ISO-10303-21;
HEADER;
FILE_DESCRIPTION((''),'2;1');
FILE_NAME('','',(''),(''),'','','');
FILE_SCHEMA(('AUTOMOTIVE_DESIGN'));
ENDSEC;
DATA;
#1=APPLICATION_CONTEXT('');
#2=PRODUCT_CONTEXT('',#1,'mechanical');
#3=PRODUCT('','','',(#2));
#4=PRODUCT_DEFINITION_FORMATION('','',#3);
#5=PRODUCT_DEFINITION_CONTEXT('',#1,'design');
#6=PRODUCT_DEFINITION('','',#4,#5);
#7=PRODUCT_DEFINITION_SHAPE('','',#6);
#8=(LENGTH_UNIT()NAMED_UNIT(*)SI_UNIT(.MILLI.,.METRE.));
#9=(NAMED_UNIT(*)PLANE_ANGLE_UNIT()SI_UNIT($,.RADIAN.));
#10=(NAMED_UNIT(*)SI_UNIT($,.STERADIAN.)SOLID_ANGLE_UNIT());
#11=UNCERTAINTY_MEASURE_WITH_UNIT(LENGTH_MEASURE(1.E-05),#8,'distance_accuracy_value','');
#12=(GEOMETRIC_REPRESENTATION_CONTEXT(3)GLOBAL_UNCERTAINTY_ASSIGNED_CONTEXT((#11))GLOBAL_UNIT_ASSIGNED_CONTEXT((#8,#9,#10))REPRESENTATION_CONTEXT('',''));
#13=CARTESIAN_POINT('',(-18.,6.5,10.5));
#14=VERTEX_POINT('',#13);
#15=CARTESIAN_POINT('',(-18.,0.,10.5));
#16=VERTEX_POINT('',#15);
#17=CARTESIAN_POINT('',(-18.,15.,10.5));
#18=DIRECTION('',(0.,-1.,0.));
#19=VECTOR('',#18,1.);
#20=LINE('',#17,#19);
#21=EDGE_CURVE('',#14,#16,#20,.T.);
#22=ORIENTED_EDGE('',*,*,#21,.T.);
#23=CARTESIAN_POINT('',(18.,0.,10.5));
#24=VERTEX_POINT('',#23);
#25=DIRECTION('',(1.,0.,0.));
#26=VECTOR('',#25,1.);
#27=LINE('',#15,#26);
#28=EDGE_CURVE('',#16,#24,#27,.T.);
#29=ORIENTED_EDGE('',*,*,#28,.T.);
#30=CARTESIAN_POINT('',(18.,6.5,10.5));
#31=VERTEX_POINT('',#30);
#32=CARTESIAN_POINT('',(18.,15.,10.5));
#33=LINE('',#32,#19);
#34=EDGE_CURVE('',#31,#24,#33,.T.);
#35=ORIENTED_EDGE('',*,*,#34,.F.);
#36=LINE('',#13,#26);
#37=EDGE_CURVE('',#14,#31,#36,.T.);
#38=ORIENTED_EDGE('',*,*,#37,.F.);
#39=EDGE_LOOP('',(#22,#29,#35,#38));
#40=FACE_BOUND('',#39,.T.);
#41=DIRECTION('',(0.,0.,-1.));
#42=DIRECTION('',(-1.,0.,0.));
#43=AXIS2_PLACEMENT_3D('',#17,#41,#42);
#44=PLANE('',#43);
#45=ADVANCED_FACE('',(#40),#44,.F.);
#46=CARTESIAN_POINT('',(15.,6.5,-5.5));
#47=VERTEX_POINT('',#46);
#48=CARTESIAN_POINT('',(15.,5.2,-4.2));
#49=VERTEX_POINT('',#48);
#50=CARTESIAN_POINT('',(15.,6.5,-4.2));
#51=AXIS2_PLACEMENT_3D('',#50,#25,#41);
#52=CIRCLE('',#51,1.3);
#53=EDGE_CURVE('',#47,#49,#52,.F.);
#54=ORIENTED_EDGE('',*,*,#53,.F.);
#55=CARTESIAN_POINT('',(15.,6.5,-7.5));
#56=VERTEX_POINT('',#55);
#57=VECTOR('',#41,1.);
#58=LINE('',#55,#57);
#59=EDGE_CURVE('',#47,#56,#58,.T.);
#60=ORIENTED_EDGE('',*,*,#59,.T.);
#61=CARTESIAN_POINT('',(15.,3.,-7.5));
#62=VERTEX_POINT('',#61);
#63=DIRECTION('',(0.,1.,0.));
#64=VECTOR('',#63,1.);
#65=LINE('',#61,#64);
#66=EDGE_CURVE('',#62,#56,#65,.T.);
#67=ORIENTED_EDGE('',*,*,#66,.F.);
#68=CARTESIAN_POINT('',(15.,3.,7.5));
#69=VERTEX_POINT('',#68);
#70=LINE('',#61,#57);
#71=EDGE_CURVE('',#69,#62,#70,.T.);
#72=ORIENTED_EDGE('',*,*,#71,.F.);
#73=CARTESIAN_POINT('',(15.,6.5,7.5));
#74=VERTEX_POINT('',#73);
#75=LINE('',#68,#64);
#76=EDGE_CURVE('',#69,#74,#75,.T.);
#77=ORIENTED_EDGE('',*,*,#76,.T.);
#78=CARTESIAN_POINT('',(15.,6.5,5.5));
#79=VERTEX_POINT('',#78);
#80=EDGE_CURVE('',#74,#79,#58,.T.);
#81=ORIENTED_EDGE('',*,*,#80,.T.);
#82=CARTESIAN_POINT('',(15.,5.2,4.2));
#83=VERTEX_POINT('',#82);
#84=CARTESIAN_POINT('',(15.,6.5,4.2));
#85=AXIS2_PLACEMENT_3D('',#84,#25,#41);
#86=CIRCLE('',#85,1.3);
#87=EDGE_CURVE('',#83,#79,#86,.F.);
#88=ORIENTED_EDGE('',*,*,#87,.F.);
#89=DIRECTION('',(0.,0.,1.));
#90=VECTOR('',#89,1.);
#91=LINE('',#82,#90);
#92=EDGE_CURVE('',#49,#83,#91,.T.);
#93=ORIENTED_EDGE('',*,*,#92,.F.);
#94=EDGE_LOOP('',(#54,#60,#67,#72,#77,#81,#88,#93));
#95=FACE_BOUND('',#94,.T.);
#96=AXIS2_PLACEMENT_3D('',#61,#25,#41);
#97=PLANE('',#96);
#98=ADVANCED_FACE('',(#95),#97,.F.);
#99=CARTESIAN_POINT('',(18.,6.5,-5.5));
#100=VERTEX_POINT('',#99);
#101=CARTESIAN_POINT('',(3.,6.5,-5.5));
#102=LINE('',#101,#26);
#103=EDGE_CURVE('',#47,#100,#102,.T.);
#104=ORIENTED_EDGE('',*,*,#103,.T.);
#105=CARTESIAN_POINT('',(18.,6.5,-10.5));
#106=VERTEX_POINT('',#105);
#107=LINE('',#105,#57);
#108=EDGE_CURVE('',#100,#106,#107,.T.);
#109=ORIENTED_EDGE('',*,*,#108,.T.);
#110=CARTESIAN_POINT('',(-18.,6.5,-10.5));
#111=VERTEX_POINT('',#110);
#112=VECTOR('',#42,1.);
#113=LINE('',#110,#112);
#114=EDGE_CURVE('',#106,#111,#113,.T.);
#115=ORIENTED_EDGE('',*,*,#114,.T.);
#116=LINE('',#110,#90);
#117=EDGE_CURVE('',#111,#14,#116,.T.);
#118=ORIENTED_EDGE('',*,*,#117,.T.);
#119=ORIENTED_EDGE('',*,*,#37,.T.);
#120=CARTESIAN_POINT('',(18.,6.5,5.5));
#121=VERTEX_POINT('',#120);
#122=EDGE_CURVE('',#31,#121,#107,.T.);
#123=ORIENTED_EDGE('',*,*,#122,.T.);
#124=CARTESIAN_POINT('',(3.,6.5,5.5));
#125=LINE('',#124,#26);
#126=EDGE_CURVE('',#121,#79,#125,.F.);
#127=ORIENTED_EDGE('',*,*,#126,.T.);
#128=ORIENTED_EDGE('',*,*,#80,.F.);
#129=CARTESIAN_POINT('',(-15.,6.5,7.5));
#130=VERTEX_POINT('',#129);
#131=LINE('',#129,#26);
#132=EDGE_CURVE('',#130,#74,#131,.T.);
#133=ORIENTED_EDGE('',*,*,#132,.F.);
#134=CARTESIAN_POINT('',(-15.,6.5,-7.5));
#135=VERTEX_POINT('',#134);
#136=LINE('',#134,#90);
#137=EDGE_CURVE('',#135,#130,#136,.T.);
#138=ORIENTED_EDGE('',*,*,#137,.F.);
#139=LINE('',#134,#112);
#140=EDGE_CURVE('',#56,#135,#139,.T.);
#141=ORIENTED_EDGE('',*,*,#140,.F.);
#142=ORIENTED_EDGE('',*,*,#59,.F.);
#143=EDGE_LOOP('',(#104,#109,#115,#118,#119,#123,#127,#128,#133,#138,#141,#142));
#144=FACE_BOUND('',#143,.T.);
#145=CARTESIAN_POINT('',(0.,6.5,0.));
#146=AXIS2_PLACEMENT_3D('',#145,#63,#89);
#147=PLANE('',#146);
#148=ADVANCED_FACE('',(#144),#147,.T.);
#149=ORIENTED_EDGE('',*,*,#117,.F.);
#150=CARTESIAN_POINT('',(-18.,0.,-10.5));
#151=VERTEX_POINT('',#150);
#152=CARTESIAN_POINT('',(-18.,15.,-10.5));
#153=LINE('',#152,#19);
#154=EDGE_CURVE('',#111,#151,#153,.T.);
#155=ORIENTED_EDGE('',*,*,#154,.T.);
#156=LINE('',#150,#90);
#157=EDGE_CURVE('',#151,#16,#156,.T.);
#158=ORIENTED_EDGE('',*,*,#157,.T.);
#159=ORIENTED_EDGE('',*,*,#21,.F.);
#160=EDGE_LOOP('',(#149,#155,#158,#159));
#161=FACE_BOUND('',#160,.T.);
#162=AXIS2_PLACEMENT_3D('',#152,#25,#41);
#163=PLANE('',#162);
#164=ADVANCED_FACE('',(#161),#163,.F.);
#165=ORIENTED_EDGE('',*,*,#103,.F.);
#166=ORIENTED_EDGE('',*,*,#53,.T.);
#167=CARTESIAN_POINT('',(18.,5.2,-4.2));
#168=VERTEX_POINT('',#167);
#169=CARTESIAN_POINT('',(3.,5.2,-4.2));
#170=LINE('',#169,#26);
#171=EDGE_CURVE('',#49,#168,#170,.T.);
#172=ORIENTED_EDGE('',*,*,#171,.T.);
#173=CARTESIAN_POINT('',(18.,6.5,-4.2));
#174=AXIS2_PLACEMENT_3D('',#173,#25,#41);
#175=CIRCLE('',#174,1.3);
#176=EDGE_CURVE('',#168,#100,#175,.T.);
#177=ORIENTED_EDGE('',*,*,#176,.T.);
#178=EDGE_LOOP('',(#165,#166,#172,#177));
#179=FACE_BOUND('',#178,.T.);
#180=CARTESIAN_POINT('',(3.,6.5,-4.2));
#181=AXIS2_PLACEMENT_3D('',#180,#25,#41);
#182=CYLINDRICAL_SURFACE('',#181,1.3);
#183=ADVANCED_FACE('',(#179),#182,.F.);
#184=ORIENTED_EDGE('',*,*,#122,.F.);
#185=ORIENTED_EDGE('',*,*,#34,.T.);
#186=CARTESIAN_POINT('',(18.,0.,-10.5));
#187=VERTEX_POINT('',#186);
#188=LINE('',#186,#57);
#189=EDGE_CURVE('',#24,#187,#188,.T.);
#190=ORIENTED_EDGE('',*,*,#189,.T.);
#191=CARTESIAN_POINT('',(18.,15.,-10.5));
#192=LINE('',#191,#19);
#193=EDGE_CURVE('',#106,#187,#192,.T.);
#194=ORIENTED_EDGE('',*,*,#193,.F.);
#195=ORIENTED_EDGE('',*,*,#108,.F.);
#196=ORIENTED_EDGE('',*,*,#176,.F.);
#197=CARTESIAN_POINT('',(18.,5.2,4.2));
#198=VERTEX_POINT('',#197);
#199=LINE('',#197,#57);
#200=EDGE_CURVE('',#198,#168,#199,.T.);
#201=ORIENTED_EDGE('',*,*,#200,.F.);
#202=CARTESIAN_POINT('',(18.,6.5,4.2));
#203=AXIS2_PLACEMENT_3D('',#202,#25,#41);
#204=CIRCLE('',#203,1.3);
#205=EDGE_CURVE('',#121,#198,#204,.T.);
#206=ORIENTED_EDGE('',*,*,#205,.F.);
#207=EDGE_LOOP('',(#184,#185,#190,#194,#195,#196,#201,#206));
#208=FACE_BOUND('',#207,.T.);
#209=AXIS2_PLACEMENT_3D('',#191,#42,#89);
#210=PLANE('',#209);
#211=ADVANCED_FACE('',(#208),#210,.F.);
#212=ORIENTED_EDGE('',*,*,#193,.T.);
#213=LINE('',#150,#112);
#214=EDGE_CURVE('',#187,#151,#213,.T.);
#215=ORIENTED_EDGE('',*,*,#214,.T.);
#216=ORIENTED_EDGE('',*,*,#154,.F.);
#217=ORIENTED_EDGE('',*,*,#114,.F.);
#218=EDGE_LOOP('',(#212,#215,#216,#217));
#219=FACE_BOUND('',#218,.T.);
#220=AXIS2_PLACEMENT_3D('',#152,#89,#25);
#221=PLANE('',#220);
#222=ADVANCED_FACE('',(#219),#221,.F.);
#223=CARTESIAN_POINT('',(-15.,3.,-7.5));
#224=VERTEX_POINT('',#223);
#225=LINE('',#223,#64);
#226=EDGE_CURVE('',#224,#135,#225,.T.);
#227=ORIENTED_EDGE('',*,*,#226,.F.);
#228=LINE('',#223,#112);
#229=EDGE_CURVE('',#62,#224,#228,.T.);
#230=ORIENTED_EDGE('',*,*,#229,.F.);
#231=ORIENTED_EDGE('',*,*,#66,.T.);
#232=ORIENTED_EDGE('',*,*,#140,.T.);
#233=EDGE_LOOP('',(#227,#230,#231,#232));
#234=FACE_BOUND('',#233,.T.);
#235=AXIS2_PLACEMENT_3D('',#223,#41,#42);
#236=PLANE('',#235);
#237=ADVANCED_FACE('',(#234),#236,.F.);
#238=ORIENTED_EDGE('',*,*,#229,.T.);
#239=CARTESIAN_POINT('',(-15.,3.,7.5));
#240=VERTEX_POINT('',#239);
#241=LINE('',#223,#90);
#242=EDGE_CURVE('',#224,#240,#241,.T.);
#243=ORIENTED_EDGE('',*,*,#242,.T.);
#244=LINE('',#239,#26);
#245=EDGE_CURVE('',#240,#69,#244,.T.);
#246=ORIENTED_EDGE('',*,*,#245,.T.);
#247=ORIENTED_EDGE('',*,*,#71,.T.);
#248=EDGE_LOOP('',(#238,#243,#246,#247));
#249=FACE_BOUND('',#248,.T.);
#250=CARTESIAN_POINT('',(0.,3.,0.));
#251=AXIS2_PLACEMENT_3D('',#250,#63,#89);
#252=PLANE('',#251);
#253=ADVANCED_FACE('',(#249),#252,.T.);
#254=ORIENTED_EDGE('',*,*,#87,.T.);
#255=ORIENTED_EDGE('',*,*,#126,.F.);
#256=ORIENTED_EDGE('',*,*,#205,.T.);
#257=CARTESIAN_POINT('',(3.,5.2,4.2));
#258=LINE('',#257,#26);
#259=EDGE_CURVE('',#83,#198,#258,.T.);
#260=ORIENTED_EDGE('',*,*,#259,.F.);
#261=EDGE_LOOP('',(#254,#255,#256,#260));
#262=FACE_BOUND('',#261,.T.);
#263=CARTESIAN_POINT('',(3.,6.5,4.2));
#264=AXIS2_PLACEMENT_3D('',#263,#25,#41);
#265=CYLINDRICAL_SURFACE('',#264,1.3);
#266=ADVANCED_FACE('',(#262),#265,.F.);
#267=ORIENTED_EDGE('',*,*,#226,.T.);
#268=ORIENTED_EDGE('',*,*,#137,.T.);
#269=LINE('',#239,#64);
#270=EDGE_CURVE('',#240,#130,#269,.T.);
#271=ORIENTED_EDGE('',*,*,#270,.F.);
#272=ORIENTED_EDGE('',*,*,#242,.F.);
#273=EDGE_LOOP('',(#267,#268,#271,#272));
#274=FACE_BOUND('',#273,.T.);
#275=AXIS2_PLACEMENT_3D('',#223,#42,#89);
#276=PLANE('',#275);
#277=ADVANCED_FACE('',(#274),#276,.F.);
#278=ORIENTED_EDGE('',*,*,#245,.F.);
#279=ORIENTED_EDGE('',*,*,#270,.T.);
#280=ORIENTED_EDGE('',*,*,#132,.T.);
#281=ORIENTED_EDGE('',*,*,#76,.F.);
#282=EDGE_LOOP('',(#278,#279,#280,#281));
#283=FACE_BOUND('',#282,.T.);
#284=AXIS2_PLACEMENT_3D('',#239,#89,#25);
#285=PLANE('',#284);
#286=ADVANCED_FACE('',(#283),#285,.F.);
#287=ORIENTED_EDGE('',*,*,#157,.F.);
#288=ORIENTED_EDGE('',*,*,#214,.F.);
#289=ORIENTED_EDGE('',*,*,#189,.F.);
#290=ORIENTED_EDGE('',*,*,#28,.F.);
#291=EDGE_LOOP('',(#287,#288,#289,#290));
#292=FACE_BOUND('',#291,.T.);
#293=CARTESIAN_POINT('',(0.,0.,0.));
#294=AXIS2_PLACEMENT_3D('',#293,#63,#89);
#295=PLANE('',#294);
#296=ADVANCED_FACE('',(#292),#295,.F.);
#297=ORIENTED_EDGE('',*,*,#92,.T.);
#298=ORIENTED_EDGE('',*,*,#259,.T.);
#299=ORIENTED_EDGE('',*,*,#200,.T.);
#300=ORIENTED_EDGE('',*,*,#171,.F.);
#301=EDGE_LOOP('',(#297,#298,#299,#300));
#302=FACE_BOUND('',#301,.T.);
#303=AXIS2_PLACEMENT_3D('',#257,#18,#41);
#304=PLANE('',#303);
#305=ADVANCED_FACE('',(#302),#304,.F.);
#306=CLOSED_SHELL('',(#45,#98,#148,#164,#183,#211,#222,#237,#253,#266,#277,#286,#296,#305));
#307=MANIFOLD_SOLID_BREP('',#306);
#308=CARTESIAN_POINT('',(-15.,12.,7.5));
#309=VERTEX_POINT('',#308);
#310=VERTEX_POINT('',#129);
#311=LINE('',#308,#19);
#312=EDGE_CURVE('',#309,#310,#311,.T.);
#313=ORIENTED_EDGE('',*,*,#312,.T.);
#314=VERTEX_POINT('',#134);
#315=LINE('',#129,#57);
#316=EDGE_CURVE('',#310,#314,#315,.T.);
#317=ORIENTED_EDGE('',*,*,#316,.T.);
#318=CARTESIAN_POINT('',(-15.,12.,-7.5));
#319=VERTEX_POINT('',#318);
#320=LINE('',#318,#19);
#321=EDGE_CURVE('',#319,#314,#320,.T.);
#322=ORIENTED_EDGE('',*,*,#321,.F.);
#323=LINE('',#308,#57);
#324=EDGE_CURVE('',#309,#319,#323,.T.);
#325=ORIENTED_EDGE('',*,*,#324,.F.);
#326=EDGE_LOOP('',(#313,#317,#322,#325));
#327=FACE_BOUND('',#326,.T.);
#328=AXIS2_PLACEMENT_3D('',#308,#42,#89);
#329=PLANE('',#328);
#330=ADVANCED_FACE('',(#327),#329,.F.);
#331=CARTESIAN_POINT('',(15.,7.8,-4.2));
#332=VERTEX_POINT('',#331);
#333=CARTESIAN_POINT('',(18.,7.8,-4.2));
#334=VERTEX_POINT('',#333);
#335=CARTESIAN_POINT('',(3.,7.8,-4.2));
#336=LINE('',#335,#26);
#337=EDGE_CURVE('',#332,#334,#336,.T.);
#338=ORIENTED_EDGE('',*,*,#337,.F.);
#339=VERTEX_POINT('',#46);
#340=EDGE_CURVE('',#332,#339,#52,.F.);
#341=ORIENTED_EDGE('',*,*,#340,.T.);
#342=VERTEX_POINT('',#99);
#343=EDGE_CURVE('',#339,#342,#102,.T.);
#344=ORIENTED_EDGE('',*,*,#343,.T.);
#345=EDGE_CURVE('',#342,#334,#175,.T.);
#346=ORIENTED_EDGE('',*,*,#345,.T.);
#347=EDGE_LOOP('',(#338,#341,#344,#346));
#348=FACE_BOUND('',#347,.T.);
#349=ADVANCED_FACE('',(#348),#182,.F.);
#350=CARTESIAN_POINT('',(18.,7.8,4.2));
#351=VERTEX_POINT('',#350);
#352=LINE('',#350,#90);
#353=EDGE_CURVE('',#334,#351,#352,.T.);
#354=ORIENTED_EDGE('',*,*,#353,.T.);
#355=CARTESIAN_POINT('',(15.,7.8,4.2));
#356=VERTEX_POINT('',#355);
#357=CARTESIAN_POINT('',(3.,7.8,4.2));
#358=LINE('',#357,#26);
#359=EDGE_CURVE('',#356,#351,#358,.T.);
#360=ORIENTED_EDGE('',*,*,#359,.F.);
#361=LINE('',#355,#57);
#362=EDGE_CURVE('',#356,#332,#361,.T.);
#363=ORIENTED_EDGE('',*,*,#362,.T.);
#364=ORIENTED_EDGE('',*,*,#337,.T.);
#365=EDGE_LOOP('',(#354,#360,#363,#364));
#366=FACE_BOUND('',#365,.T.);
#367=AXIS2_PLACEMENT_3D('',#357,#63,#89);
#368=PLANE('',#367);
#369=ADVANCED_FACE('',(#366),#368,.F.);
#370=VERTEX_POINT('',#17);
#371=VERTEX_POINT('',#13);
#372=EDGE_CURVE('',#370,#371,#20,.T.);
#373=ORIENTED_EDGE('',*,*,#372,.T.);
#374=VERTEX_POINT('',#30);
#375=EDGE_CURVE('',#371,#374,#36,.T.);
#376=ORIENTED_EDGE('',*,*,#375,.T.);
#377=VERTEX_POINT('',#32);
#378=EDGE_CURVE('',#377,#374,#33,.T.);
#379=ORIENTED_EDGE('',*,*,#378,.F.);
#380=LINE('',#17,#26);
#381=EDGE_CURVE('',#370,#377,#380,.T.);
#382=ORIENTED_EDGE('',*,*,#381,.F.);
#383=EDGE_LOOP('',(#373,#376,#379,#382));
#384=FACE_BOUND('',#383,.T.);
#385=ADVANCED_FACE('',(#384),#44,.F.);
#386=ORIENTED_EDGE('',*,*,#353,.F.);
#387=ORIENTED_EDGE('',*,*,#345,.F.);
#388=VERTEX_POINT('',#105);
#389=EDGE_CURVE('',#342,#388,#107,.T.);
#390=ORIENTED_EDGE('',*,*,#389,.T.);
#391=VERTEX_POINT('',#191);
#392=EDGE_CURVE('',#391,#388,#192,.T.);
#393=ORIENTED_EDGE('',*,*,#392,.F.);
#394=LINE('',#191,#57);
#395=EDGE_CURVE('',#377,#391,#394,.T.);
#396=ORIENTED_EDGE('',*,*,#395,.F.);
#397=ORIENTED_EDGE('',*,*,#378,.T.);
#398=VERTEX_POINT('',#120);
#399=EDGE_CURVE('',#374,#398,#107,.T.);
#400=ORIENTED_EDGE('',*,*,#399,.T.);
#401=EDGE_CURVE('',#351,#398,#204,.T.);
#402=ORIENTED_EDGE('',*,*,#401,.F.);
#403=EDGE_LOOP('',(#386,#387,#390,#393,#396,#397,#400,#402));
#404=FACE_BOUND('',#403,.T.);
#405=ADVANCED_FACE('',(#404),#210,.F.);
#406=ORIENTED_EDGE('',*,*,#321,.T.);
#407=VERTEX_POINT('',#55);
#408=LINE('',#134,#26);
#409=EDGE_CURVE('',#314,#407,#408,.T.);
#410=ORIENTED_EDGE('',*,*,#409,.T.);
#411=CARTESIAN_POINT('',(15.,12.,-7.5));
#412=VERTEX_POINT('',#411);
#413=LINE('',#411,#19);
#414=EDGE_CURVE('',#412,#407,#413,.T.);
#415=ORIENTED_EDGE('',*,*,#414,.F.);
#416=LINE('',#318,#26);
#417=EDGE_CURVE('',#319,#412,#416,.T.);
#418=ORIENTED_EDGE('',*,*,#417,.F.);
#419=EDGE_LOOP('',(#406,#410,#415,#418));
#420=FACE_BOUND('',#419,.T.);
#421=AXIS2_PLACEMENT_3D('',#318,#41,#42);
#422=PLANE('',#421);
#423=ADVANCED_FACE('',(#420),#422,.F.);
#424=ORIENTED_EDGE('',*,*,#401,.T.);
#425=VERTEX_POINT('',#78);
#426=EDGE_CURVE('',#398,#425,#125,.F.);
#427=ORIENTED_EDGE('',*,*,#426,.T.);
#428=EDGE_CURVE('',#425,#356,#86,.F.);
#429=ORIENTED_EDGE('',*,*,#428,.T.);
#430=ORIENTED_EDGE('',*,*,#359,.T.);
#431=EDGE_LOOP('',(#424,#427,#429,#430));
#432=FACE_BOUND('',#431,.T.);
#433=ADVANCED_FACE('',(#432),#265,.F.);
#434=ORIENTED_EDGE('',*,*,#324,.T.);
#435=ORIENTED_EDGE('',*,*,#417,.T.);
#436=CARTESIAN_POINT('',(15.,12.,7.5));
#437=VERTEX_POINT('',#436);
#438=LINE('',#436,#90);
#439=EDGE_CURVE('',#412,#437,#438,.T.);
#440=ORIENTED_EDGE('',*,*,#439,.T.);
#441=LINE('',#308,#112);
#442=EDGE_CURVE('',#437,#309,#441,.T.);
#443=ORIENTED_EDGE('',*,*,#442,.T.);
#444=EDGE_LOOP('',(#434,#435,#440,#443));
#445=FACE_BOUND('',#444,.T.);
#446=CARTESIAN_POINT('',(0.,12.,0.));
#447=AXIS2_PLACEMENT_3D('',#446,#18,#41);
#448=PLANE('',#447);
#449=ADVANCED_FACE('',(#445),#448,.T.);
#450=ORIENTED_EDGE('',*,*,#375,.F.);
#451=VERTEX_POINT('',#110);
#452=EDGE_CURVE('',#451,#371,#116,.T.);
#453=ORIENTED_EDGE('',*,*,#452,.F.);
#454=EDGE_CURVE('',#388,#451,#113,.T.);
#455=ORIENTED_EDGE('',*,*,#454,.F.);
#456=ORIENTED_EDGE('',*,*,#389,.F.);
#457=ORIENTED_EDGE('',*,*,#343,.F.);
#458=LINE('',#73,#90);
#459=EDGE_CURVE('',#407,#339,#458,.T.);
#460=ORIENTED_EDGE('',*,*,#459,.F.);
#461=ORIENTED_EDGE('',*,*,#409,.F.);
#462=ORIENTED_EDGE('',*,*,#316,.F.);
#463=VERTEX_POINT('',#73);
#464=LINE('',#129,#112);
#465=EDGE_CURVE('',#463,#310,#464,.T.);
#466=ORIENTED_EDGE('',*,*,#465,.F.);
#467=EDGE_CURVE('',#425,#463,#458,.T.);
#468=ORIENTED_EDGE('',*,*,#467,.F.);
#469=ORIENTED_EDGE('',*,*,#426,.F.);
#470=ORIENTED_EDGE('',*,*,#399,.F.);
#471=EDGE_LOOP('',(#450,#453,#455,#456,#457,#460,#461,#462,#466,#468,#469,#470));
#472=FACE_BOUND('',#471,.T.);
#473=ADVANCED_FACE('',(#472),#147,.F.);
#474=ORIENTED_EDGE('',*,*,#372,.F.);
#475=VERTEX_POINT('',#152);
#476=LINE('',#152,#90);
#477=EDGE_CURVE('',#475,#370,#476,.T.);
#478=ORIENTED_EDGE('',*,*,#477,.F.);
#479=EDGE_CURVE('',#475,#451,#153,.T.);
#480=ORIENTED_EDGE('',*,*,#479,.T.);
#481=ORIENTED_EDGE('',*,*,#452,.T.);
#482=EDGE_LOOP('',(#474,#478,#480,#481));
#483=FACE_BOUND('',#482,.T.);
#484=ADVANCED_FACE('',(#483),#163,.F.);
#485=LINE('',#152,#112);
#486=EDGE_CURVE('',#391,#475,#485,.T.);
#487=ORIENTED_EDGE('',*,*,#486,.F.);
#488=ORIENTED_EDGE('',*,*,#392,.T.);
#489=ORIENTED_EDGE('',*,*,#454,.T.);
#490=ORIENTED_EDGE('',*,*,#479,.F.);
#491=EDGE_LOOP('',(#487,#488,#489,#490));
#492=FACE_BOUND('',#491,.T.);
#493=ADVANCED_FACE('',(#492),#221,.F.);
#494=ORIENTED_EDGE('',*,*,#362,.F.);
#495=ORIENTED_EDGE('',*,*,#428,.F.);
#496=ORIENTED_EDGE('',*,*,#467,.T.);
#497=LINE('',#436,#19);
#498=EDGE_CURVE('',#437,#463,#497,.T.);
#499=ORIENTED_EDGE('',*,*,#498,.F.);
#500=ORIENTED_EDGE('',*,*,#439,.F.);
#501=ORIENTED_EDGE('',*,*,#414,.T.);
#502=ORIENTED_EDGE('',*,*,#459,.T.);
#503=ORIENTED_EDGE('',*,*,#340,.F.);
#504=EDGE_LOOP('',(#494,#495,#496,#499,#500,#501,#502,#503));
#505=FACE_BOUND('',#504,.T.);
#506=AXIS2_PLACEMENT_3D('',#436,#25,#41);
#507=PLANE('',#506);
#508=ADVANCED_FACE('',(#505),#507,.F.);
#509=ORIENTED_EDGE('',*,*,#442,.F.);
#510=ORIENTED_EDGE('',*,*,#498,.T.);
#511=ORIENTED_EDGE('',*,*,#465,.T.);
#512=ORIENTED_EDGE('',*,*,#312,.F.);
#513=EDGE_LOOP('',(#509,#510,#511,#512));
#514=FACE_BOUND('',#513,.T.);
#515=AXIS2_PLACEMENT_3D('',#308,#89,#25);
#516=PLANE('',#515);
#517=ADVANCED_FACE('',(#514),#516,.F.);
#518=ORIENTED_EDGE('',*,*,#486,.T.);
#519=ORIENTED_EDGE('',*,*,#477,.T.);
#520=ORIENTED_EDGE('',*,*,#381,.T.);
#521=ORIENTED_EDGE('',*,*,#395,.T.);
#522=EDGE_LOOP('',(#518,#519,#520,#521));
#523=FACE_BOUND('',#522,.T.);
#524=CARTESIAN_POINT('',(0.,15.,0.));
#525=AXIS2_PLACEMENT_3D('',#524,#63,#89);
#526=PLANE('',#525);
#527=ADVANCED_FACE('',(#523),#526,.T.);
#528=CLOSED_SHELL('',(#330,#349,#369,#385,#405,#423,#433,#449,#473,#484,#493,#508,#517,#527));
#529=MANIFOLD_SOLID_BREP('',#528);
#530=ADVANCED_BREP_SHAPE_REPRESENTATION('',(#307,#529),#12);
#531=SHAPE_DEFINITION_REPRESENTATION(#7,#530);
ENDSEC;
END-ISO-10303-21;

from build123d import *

# Parameters (mm, degrees)
SKETCH1_W           = 36
SKETCH1_H           = 21
BOSS_EXTRUDE2_DEPTH = 15
CUT_EXTRUDE1_DEPTH  = 15
SKETCH5_W           = 30
SKETCH5_H           = 15
CUT_EXTRUDE2_DEPTH  = 3.5
SKETCH7_W           = 30
SKETCH7_H           = 15
CUT_EXTRUDE3_DEPTH  = 5.5


with BuildPart() as part:
    # Sketch1 → Boss-Extrude2 (new body)
    with BuildSketch(Plane(origin=(0, 0, 0), x_dir=(1, 0, 0), z_dir=(0, 1, 0))):
        Rectangle(SKETCH1_W, SKETCH1_H)
    extrude(amount=BOSS_EXTRUDE2_DEPTH)

    # Sketch2 → Cut-Extrude1 (cut)
    with BuildSketch(Plane(origin=(18, 0, 0), x_dir=(0, 0, -1), z_dir=(1, 0, 0))):
        with BuildLine():
            Line((-4.2, 7.8), (4.2, 7.8))
            ThreePointArc((4.2, 7.8), (5.5, 6.5), (4.2, 5.2))
            Line((4.2, 5.2), (-4.2, 5.2))
            ThreePointArc((-4.2, 5.2), (-5.5, 6.5), (-4.2, 7.8))
        make_face()
    extrude(amount=-CUT_EXTRUDE1_DEPTH, mode=Mode.SUBTRACT)


with BuildPart() as body_2:
    # Split1: the piece on the far side of the plane
    add(part.part)
    split(bisect_by=Plane.ZX.offset(6.5), keep=Keep.BOTTOM)

    # Sketch5 → Cut-Extrude2 (cut)
    with BuildSketch(Plane(origin=(0, 6.5, 0), x_dir=(1, 0, 0), z_dir=(0, 1, 0))):
        Rectangle(SKETCH5_W, SKETCH5_H)
    extrude(amount=-CUT_EXTRUDE2_DEPTH, mode=Mode.SUBTRACT)


with BuildPart() as part_1:
    add(part.part)

    # Split1
    split(bisect_by=Plane.ZX.offset(6.5), keep=Keep.TOP)

    # Sketch7 → Cut-Extrude3 (cut)
    with BuildSketch(Plane.XZ.offset(-6.5)):
        Rectangle(SKETCH7_W, SKETCH7_H)
    extrude(amount=-CUT_EXTRUDE3_DEPTH, mode=Mode.SUBTRACT)


solid = Compound([body_2.part, part_1.part])
